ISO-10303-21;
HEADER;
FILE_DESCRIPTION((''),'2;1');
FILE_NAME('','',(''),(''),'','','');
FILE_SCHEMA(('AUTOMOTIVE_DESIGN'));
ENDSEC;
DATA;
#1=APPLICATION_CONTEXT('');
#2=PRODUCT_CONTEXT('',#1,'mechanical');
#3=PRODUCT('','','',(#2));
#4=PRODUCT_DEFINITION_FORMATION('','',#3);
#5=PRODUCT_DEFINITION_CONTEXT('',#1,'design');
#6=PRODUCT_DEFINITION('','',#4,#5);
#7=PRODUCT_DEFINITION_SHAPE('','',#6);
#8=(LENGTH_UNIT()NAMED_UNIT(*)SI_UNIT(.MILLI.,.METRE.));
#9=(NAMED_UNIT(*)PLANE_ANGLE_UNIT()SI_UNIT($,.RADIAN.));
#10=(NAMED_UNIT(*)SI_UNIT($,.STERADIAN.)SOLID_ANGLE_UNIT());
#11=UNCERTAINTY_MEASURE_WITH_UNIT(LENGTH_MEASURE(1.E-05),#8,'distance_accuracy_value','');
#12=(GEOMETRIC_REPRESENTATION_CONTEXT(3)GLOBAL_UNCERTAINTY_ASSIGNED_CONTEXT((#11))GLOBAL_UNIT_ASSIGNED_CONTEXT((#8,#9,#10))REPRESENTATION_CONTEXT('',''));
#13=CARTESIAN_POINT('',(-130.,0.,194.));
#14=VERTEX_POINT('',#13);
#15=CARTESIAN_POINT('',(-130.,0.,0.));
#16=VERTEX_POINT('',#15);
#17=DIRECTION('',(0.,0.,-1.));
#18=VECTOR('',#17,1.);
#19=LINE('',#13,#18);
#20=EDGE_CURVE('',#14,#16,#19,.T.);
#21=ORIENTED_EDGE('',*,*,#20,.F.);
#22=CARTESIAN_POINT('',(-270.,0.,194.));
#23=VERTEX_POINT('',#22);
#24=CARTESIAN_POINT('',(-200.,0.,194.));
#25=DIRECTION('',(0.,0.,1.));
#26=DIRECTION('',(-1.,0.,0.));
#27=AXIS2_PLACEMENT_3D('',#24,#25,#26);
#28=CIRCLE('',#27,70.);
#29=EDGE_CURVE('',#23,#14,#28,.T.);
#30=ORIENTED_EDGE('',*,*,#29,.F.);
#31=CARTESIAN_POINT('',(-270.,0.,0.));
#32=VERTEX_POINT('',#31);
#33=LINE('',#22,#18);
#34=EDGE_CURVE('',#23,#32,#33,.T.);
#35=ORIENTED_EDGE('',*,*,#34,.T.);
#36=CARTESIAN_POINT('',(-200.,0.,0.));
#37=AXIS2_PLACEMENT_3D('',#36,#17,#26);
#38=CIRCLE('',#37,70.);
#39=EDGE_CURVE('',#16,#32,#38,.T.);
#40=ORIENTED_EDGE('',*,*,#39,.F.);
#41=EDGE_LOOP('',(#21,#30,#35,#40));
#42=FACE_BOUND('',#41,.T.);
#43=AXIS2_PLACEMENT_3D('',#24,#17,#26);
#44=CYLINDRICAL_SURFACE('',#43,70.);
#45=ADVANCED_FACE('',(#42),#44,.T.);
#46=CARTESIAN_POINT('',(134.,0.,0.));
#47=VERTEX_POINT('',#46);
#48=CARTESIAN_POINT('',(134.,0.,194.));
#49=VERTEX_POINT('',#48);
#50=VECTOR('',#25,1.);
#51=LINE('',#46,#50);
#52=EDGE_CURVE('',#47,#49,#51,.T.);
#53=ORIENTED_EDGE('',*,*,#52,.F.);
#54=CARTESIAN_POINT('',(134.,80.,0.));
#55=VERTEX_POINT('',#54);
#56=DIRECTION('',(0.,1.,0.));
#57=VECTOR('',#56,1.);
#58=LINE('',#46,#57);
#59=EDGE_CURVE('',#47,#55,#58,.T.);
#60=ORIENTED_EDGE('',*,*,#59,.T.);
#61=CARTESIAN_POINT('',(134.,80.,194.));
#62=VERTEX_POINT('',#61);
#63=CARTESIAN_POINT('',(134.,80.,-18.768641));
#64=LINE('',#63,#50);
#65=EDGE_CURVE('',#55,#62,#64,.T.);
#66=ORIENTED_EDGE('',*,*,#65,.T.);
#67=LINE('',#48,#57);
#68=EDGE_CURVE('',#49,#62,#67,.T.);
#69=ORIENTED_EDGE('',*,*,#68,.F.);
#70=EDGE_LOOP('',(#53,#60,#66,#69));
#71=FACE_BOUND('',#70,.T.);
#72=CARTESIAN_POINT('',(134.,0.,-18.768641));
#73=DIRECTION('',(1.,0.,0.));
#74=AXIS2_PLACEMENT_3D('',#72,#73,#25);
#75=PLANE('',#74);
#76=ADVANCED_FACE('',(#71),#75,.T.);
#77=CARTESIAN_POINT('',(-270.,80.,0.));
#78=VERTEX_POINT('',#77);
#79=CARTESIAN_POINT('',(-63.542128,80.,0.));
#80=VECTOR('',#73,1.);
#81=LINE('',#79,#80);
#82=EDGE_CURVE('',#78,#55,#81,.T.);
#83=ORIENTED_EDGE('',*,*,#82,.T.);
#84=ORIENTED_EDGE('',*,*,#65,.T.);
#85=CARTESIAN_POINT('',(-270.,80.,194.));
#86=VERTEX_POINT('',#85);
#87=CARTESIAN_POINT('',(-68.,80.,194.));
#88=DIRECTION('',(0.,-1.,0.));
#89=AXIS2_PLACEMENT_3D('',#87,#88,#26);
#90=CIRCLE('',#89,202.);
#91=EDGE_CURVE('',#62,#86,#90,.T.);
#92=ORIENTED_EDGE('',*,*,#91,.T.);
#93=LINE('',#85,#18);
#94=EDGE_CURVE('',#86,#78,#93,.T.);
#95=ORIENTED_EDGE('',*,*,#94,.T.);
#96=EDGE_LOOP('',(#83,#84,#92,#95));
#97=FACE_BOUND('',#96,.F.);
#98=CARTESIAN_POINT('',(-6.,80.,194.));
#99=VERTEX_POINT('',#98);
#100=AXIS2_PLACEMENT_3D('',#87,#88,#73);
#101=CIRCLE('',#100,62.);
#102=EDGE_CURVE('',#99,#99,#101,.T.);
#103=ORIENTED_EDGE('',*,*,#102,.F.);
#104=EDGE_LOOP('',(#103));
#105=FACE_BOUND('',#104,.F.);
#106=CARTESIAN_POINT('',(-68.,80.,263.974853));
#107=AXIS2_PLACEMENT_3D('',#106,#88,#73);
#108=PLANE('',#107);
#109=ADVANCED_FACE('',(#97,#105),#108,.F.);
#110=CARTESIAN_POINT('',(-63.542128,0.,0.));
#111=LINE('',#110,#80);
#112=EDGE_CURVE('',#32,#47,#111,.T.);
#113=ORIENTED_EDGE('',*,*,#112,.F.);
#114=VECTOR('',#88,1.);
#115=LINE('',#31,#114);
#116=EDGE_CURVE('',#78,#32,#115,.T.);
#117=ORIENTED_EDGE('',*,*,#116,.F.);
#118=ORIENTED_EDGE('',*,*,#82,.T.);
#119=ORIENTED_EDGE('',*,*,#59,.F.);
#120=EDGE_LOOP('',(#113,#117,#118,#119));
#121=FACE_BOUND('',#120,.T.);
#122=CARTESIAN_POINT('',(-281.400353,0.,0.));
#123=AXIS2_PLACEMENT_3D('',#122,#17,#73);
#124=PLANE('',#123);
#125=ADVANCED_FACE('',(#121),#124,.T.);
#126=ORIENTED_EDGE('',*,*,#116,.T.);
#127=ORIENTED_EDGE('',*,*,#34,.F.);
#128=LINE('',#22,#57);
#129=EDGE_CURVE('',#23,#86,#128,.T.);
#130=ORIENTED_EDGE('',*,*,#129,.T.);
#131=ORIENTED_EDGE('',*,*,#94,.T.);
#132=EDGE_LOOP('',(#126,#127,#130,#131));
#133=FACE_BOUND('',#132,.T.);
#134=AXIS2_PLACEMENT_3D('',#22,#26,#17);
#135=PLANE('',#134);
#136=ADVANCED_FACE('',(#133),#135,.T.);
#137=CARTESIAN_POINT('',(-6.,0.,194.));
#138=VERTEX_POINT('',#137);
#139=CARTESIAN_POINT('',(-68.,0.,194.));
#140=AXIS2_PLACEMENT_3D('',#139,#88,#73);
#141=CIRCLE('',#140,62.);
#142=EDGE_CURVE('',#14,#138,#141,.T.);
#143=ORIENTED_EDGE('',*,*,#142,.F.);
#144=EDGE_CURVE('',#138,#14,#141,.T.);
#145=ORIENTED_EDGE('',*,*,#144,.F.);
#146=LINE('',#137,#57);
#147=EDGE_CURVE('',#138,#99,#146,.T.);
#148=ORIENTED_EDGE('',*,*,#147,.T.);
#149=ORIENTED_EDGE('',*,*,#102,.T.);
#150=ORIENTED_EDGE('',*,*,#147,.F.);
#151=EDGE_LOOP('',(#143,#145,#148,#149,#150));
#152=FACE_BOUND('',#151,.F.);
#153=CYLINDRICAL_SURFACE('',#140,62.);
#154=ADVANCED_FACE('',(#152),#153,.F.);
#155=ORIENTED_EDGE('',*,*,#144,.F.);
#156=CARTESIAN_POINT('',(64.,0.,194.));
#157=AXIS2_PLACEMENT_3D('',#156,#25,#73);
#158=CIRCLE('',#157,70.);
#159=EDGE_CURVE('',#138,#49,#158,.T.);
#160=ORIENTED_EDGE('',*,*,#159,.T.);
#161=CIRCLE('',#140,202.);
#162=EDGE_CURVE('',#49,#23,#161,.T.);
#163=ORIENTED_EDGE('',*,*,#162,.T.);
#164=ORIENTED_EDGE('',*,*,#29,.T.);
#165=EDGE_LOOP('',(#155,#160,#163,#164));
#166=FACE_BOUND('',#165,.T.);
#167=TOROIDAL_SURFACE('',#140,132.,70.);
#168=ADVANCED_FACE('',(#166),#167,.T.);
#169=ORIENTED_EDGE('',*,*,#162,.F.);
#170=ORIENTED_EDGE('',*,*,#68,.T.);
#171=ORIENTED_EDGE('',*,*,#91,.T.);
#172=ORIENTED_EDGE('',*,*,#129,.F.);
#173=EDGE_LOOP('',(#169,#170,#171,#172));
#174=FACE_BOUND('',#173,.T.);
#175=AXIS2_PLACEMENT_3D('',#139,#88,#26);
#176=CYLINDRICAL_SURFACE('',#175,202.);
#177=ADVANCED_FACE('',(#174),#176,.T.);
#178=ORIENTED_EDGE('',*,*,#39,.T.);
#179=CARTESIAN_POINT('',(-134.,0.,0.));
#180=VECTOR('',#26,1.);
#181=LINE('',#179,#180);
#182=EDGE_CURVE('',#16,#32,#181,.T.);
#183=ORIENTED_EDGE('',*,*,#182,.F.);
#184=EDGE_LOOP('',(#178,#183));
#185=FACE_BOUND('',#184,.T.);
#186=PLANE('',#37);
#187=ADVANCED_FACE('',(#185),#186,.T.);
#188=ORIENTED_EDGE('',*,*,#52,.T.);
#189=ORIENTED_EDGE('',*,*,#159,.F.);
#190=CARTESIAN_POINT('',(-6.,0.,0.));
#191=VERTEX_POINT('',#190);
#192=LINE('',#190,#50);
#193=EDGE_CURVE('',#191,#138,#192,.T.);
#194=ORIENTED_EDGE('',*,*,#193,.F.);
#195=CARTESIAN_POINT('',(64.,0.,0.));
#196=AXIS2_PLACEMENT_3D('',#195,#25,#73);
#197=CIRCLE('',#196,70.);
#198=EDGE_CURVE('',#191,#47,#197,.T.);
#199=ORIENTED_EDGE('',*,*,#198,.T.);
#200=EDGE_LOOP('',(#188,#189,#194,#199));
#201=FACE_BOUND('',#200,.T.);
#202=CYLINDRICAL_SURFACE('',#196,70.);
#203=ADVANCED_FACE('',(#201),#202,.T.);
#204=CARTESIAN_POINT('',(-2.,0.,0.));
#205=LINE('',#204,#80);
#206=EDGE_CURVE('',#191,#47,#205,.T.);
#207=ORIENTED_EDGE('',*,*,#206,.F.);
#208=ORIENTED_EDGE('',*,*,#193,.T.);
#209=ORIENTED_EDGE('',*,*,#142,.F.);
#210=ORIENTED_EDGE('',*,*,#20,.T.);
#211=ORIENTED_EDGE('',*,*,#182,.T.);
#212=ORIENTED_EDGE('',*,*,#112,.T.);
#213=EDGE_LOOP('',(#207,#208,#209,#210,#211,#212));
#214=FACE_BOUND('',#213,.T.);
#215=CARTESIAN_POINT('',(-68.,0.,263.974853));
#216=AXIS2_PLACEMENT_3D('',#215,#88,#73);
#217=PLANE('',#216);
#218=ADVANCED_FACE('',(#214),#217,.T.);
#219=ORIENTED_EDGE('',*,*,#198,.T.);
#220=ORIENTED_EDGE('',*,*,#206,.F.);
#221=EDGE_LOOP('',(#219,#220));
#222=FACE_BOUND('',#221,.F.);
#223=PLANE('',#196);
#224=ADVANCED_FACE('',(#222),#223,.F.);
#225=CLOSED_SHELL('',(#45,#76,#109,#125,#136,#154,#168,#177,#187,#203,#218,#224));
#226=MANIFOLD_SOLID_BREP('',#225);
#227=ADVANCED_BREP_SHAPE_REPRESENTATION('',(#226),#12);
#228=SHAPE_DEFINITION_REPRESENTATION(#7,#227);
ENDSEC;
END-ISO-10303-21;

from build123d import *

# Parameters (mm, degrees)
F1_R     = 70
F4_DEPTH = 80
F5_R     = 62
F6_DEPTH = 85
F7_W     = 435.71645
F7_H     = 77.360585
F8_DEPTH = 80


with BuildPart() as f3:
    # F3: sweep along a path in F0
    with BuildLine(Plane.XZ) as f3_path:
        Line((64, 0), (64, 194))
        ThreePointArc((64, 194), (-68, 326), (-200, 194))
        Line((-200, 194), (-200, 0))
    # F1 (on Top) → F3 (sweep)
    with BuildSketch(Plane.XY):
        with Locations((64, 0)):
            Circle(F1_R)
    sweep(path=f3_path.line)

    # F2 (on Front) → F4 (join)
    with BuildSketch(Plane.XZ):
        with BuildLine():
            Line((-270, 194), (134, 194))
            ThreePointArc((134, 194), (-68, 396), (-270, 194))
        make_face()
        with BuildLine():
            ThreePointArc((-270, 194), (-68, -8), (134, 194))
            Line((134, 194), (-270, 194))
        make_face()
        with BuildLine():
            Line((134, -18.768641), (134, 194))
            ThreePointArc((134, 194), (-68, -8), (-270, 194))
            Line((-270, 194), (-270, -18.768641))
            Line((-270, -18.768641), (134, -18.768641))
        make_face()
    extrude(amount=-F4_DEPTH)

    # F5 (on Front) → F6 (cut)
    with BuildSketch(Plane.XZ):
        with Locations((-68, 194)):
            Circle(F5_R)
    extrude(amount=-F6_DEPTH, mode=Mode.SUBTRACT)

    # F7 (on Front) → F8 (cut)
    with BuildSketch(Plane.XZ):
        with Locations((-63.542128, -38.680293)):
            Rectangle(F7_W, F7_H)
    extrude(amount=-F8_DEPTH, mode=Mode.SUBTRACT)


solid = f3.part
